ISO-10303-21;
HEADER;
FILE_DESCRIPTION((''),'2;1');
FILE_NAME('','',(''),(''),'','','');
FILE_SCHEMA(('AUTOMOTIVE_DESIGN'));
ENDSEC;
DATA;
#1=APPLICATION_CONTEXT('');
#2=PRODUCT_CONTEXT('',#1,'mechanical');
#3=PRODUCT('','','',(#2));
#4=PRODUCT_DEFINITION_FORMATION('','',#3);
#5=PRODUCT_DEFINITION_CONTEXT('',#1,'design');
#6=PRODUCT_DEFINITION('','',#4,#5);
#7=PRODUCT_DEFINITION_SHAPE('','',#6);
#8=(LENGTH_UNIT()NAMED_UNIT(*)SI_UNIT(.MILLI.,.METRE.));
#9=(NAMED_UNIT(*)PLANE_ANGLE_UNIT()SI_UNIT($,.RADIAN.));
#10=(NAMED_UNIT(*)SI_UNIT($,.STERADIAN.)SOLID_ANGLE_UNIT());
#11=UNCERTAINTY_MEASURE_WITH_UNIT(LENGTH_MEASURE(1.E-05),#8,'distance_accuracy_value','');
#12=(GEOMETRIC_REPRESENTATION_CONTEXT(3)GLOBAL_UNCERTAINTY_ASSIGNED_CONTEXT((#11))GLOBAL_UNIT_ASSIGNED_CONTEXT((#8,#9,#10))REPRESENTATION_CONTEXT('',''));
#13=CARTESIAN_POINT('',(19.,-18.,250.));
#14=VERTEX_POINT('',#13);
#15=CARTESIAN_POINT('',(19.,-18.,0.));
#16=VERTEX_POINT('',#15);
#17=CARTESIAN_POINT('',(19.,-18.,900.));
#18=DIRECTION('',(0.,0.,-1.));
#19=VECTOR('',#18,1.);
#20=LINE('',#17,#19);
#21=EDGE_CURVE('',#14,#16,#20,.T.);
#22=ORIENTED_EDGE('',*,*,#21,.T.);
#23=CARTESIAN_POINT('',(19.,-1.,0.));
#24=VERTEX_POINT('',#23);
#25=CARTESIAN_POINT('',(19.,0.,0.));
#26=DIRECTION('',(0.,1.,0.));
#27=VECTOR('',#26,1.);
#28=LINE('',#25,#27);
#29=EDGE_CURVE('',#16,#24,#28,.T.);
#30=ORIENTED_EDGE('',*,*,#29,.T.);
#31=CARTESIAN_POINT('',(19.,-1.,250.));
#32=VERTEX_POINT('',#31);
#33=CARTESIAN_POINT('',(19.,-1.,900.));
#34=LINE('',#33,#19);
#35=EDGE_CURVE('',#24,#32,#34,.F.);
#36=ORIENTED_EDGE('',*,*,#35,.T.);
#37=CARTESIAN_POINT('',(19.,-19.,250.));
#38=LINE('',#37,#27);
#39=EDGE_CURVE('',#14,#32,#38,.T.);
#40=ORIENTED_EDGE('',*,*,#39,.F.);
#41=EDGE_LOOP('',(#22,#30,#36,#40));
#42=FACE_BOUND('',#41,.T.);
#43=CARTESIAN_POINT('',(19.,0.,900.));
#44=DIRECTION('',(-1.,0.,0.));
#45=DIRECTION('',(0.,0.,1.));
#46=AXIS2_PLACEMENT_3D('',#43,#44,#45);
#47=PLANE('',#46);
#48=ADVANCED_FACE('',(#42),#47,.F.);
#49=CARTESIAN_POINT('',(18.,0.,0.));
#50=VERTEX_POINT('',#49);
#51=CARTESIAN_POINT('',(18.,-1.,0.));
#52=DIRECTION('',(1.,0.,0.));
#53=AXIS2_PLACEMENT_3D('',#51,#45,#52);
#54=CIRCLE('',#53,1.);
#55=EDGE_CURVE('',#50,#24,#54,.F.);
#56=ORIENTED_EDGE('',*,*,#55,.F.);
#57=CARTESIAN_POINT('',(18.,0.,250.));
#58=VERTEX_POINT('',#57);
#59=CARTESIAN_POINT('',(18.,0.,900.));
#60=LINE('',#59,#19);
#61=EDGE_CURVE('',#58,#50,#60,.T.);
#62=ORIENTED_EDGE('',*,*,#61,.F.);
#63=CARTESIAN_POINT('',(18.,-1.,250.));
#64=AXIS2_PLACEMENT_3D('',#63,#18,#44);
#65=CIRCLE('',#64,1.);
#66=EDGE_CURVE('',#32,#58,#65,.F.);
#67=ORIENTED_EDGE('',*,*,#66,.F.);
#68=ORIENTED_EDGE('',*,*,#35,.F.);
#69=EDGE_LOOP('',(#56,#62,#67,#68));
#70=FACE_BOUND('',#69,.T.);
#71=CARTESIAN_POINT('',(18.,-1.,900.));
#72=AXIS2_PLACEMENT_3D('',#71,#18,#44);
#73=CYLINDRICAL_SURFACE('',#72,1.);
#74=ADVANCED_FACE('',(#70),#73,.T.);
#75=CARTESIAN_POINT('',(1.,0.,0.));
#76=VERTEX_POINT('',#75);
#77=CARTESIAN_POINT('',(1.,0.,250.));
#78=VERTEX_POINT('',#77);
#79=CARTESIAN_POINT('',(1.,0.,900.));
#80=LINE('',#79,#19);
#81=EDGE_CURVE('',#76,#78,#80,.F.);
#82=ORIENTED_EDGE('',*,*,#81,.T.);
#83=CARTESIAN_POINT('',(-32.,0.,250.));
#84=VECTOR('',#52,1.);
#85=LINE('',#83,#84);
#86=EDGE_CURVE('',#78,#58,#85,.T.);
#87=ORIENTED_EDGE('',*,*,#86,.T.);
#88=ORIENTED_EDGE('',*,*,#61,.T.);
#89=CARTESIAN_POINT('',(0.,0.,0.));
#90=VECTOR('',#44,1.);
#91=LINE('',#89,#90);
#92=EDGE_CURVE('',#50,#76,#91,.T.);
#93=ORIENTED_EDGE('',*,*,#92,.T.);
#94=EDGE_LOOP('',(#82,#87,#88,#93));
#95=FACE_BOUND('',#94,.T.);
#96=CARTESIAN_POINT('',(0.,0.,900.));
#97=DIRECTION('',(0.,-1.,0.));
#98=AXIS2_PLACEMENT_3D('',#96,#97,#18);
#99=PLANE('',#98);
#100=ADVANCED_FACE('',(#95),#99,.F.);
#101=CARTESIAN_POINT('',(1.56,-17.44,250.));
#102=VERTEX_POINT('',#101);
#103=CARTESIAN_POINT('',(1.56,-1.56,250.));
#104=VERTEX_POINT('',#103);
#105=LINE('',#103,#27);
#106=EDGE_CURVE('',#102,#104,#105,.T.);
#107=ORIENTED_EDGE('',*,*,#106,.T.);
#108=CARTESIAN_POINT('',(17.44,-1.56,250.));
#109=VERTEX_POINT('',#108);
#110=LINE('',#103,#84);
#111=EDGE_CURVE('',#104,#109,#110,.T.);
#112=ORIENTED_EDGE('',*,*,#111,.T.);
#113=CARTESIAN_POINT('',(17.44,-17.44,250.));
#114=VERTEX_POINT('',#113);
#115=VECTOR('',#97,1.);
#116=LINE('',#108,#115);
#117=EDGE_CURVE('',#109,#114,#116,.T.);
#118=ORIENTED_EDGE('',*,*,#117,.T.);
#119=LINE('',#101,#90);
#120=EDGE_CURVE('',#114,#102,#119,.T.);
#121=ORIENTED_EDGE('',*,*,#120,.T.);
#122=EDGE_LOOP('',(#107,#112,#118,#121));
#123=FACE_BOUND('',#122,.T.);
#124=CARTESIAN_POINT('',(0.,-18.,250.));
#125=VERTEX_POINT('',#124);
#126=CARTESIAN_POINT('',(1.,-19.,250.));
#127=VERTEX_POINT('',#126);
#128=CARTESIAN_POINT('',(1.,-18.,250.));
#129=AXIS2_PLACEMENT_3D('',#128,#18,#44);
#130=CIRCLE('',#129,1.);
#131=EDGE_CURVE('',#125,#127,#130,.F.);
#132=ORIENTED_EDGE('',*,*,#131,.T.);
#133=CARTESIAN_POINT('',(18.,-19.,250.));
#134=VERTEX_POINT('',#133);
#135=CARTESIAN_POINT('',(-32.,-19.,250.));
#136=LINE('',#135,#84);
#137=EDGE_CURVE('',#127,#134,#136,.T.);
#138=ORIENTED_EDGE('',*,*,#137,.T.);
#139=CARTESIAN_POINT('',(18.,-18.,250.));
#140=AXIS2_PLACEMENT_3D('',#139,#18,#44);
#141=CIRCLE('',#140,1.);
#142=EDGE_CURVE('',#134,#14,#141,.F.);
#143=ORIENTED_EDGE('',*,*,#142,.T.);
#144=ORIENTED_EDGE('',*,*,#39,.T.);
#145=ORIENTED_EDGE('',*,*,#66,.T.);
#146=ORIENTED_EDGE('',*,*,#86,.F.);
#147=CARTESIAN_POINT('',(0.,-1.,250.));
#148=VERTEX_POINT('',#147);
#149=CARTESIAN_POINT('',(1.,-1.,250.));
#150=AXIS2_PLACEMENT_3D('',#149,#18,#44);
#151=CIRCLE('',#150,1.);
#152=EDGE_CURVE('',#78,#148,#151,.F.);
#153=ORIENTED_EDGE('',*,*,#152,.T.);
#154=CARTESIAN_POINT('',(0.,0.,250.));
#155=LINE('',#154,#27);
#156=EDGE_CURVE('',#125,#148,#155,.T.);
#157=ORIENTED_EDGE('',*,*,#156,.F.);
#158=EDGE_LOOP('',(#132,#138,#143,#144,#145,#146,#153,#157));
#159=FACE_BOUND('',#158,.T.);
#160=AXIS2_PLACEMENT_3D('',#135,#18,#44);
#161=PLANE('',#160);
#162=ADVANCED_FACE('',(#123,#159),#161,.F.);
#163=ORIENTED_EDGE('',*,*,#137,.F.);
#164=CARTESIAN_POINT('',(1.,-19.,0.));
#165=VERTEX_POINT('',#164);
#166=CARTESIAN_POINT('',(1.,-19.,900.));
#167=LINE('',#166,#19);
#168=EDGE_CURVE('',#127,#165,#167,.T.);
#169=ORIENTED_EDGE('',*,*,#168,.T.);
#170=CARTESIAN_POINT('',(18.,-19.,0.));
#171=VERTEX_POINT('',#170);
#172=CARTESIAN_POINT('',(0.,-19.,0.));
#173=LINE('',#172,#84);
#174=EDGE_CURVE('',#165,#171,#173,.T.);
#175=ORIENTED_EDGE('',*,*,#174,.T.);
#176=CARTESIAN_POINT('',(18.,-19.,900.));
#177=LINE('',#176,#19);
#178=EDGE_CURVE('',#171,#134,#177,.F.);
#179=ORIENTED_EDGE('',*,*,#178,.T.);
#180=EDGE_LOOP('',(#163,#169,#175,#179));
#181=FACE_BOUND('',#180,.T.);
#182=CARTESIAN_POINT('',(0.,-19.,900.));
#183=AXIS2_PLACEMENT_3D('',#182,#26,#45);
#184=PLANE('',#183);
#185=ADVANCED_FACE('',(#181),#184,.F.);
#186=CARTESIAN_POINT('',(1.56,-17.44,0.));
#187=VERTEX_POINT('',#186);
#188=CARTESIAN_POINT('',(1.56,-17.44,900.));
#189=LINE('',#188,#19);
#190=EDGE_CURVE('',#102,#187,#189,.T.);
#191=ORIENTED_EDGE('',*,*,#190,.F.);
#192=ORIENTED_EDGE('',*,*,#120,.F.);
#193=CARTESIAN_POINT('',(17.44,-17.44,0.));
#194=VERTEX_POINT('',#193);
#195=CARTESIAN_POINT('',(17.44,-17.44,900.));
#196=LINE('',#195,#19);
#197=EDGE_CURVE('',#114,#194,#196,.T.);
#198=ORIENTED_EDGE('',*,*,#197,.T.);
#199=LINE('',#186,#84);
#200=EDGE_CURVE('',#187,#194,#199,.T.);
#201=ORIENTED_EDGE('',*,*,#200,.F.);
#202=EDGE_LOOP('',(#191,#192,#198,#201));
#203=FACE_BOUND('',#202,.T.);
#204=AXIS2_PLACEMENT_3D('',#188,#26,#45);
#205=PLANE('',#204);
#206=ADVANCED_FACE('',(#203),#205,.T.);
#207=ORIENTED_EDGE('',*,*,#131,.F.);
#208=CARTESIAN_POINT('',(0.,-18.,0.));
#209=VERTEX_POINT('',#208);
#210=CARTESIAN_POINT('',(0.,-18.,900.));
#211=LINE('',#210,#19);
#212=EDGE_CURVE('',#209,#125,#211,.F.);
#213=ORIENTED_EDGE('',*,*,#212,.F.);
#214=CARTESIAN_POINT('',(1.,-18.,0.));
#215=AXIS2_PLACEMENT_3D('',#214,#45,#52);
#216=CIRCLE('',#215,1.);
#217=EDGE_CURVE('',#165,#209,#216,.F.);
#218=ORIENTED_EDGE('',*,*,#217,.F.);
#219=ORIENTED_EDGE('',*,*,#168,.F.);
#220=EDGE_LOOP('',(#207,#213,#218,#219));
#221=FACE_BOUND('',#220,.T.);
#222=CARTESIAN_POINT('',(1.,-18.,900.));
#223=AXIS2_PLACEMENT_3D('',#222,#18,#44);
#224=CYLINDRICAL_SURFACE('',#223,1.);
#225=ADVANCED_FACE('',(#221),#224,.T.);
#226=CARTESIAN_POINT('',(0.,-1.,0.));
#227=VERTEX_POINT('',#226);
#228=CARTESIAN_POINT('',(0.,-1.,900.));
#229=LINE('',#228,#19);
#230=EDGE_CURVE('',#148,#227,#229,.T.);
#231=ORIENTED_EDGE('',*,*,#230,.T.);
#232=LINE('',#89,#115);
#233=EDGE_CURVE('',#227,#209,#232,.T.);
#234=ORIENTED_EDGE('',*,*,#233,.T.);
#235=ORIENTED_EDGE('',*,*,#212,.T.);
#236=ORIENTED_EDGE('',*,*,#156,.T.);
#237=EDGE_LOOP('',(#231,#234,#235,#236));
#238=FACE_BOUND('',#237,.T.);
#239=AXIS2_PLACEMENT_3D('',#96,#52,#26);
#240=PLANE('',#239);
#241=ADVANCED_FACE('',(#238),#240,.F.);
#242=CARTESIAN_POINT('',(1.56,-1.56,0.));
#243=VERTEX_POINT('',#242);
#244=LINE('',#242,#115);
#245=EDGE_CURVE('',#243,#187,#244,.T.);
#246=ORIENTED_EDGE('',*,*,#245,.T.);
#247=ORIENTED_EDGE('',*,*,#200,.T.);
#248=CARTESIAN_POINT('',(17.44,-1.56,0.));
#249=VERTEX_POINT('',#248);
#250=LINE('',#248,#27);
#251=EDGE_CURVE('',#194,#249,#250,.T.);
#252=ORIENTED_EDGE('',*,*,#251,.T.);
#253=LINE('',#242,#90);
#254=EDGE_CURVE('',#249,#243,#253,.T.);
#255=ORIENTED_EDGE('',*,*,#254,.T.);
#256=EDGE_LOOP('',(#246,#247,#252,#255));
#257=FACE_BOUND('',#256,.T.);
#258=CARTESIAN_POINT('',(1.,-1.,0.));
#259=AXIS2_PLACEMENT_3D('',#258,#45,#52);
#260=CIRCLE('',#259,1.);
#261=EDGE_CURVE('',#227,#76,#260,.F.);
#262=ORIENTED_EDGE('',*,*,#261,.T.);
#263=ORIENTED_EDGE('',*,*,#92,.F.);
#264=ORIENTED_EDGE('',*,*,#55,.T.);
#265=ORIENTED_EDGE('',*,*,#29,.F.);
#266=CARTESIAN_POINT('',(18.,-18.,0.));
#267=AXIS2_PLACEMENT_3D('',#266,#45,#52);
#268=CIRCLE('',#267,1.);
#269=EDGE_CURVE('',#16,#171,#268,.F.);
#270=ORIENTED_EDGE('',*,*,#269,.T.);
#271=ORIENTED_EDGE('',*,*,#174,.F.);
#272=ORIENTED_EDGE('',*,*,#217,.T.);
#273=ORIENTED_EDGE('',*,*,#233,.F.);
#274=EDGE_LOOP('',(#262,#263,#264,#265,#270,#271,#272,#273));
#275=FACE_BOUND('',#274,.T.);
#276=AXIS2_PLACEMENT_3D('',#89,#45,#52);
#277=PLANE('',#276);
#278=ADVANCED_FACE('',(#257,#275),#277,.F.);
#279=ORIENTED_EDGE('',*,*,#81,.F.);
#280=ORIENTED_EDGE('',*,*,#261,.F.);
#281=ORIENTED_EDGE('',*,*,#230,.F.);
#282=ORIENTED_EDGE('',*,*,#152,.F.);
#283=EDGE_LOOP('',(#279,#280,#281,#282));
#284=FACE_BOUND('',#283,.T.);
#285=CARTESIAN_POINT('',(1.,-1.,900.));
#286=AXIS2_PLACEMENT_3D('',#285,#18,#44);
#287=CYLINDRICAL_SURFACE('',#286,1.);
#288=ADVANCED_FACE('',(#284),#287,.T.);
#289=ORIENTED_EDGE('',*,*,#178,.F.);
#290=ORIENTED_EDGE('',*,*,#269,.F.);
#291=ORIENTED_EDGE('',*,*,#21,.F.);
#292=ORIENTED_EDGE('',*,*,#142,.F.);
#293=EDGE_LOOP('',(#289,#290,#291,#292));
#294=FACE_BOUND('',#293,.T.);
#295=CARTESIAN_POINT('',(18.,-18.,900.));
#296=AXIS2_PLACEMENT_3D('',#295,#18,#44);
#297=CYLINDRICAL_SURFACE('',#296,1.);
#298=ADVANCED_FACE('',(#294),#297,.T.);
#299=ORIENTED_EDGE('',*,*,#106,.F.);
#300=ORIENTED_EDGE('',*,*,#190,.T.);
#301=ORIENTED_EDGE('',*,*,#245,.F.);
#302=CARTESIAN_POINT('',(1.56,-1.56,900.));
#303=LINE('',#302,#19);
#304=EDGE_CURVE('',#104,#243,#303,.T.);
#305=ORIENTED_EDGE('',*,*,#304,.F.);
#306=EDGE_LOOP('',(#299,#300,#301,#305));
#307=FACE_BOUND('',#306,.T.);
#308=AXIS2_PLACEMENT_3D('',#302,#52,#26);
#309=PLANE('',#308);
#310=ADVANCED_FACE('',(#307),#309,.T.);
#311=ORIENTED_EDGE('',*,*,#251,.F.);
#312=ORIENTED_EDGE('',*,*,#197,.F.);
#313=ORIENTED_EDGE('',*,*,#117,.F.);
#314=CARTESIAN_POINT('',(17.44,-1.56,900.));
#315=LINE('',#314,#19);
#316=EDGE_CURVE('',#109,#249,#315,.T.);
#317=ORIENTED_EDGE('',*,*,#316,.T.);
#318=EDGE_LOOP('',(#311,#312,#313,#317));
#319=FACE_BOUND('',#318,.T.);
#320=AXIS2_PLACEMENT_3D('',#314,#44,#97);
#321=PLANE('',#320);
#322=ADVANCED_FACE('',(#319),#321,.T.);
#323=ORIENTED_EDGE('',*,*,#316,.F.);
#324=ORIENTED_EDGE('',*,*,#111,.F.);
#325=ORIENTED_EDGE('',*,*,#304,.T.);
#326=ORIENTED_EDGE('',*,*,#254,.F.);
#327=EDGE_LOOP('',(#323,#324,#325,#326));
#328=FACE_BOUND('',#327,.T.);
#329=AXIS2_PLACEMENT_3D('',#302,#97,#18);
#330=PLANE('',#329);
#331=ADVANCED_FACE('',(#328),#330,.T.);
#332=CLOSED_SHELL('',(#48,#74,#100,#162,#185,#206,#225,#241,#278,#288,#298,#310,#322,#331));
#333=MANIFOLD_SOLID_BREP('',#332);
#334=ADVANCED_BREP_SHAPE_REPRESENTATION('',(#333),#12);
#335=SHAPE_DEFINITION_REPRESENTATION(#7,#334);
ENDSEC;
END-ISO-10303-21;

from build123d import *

# Parameters (mm, degrees)
SKETCH_1_W          = 19
SKETCH_1_H          = 19
SKETCH_1_W_2        = 15.88
SKETCH_1_H_2        = 15.88
EXTRUDE_1_DEPTH     = 900
FILLET_2_R          = 1
SKETCH_2_W          = 650
SKETCH_2_H          = 19
CUT_EXTRUDE_2_DEPTH = 51


with BuildPart() as part:
    # 스케치1 → 보스-돌출1 (new body)
    with BuildSketch(Plane.XY):
        with Locations((9.5, -9.5)):
            Rectangle(SKETCH_1_W, SKETCH_1_H)
        with Locations((9.5, -9.5)):
            Rectangle(SKETCH_1_W_2, SKETCH_1_H_2, mode=Mode.SUBTRACT)
    extrude(amount=EXTRUDE_1_DEPTH)

    # 필렛2
    fillet_2_edges = [part.edges().sort_by_distance(p)[0] for p in [
        (0, 0, 450),
        (19, 0, 450),
        (19, -19, 450),
        (0, -19, 450),
    ]]
    fillet(fillet_2_edges, radius=FILLET_2_R)

    # 스케치2 → 컷-돌출2 (cut)
    with BuildSketch(Plane(origin=(19, 0, 0), x_dir=(0, 0, -1), z_dir=(1, 0, 0))):
        with Locations((-575, -9.5)):
            Rectangle(SKETCH_2_W, SKETCH_2_H)
    extrude(amount=-CUT_EXTRUDE_2_DEPTH, mode=Mode.SUBTRACT)


solid = part.part
